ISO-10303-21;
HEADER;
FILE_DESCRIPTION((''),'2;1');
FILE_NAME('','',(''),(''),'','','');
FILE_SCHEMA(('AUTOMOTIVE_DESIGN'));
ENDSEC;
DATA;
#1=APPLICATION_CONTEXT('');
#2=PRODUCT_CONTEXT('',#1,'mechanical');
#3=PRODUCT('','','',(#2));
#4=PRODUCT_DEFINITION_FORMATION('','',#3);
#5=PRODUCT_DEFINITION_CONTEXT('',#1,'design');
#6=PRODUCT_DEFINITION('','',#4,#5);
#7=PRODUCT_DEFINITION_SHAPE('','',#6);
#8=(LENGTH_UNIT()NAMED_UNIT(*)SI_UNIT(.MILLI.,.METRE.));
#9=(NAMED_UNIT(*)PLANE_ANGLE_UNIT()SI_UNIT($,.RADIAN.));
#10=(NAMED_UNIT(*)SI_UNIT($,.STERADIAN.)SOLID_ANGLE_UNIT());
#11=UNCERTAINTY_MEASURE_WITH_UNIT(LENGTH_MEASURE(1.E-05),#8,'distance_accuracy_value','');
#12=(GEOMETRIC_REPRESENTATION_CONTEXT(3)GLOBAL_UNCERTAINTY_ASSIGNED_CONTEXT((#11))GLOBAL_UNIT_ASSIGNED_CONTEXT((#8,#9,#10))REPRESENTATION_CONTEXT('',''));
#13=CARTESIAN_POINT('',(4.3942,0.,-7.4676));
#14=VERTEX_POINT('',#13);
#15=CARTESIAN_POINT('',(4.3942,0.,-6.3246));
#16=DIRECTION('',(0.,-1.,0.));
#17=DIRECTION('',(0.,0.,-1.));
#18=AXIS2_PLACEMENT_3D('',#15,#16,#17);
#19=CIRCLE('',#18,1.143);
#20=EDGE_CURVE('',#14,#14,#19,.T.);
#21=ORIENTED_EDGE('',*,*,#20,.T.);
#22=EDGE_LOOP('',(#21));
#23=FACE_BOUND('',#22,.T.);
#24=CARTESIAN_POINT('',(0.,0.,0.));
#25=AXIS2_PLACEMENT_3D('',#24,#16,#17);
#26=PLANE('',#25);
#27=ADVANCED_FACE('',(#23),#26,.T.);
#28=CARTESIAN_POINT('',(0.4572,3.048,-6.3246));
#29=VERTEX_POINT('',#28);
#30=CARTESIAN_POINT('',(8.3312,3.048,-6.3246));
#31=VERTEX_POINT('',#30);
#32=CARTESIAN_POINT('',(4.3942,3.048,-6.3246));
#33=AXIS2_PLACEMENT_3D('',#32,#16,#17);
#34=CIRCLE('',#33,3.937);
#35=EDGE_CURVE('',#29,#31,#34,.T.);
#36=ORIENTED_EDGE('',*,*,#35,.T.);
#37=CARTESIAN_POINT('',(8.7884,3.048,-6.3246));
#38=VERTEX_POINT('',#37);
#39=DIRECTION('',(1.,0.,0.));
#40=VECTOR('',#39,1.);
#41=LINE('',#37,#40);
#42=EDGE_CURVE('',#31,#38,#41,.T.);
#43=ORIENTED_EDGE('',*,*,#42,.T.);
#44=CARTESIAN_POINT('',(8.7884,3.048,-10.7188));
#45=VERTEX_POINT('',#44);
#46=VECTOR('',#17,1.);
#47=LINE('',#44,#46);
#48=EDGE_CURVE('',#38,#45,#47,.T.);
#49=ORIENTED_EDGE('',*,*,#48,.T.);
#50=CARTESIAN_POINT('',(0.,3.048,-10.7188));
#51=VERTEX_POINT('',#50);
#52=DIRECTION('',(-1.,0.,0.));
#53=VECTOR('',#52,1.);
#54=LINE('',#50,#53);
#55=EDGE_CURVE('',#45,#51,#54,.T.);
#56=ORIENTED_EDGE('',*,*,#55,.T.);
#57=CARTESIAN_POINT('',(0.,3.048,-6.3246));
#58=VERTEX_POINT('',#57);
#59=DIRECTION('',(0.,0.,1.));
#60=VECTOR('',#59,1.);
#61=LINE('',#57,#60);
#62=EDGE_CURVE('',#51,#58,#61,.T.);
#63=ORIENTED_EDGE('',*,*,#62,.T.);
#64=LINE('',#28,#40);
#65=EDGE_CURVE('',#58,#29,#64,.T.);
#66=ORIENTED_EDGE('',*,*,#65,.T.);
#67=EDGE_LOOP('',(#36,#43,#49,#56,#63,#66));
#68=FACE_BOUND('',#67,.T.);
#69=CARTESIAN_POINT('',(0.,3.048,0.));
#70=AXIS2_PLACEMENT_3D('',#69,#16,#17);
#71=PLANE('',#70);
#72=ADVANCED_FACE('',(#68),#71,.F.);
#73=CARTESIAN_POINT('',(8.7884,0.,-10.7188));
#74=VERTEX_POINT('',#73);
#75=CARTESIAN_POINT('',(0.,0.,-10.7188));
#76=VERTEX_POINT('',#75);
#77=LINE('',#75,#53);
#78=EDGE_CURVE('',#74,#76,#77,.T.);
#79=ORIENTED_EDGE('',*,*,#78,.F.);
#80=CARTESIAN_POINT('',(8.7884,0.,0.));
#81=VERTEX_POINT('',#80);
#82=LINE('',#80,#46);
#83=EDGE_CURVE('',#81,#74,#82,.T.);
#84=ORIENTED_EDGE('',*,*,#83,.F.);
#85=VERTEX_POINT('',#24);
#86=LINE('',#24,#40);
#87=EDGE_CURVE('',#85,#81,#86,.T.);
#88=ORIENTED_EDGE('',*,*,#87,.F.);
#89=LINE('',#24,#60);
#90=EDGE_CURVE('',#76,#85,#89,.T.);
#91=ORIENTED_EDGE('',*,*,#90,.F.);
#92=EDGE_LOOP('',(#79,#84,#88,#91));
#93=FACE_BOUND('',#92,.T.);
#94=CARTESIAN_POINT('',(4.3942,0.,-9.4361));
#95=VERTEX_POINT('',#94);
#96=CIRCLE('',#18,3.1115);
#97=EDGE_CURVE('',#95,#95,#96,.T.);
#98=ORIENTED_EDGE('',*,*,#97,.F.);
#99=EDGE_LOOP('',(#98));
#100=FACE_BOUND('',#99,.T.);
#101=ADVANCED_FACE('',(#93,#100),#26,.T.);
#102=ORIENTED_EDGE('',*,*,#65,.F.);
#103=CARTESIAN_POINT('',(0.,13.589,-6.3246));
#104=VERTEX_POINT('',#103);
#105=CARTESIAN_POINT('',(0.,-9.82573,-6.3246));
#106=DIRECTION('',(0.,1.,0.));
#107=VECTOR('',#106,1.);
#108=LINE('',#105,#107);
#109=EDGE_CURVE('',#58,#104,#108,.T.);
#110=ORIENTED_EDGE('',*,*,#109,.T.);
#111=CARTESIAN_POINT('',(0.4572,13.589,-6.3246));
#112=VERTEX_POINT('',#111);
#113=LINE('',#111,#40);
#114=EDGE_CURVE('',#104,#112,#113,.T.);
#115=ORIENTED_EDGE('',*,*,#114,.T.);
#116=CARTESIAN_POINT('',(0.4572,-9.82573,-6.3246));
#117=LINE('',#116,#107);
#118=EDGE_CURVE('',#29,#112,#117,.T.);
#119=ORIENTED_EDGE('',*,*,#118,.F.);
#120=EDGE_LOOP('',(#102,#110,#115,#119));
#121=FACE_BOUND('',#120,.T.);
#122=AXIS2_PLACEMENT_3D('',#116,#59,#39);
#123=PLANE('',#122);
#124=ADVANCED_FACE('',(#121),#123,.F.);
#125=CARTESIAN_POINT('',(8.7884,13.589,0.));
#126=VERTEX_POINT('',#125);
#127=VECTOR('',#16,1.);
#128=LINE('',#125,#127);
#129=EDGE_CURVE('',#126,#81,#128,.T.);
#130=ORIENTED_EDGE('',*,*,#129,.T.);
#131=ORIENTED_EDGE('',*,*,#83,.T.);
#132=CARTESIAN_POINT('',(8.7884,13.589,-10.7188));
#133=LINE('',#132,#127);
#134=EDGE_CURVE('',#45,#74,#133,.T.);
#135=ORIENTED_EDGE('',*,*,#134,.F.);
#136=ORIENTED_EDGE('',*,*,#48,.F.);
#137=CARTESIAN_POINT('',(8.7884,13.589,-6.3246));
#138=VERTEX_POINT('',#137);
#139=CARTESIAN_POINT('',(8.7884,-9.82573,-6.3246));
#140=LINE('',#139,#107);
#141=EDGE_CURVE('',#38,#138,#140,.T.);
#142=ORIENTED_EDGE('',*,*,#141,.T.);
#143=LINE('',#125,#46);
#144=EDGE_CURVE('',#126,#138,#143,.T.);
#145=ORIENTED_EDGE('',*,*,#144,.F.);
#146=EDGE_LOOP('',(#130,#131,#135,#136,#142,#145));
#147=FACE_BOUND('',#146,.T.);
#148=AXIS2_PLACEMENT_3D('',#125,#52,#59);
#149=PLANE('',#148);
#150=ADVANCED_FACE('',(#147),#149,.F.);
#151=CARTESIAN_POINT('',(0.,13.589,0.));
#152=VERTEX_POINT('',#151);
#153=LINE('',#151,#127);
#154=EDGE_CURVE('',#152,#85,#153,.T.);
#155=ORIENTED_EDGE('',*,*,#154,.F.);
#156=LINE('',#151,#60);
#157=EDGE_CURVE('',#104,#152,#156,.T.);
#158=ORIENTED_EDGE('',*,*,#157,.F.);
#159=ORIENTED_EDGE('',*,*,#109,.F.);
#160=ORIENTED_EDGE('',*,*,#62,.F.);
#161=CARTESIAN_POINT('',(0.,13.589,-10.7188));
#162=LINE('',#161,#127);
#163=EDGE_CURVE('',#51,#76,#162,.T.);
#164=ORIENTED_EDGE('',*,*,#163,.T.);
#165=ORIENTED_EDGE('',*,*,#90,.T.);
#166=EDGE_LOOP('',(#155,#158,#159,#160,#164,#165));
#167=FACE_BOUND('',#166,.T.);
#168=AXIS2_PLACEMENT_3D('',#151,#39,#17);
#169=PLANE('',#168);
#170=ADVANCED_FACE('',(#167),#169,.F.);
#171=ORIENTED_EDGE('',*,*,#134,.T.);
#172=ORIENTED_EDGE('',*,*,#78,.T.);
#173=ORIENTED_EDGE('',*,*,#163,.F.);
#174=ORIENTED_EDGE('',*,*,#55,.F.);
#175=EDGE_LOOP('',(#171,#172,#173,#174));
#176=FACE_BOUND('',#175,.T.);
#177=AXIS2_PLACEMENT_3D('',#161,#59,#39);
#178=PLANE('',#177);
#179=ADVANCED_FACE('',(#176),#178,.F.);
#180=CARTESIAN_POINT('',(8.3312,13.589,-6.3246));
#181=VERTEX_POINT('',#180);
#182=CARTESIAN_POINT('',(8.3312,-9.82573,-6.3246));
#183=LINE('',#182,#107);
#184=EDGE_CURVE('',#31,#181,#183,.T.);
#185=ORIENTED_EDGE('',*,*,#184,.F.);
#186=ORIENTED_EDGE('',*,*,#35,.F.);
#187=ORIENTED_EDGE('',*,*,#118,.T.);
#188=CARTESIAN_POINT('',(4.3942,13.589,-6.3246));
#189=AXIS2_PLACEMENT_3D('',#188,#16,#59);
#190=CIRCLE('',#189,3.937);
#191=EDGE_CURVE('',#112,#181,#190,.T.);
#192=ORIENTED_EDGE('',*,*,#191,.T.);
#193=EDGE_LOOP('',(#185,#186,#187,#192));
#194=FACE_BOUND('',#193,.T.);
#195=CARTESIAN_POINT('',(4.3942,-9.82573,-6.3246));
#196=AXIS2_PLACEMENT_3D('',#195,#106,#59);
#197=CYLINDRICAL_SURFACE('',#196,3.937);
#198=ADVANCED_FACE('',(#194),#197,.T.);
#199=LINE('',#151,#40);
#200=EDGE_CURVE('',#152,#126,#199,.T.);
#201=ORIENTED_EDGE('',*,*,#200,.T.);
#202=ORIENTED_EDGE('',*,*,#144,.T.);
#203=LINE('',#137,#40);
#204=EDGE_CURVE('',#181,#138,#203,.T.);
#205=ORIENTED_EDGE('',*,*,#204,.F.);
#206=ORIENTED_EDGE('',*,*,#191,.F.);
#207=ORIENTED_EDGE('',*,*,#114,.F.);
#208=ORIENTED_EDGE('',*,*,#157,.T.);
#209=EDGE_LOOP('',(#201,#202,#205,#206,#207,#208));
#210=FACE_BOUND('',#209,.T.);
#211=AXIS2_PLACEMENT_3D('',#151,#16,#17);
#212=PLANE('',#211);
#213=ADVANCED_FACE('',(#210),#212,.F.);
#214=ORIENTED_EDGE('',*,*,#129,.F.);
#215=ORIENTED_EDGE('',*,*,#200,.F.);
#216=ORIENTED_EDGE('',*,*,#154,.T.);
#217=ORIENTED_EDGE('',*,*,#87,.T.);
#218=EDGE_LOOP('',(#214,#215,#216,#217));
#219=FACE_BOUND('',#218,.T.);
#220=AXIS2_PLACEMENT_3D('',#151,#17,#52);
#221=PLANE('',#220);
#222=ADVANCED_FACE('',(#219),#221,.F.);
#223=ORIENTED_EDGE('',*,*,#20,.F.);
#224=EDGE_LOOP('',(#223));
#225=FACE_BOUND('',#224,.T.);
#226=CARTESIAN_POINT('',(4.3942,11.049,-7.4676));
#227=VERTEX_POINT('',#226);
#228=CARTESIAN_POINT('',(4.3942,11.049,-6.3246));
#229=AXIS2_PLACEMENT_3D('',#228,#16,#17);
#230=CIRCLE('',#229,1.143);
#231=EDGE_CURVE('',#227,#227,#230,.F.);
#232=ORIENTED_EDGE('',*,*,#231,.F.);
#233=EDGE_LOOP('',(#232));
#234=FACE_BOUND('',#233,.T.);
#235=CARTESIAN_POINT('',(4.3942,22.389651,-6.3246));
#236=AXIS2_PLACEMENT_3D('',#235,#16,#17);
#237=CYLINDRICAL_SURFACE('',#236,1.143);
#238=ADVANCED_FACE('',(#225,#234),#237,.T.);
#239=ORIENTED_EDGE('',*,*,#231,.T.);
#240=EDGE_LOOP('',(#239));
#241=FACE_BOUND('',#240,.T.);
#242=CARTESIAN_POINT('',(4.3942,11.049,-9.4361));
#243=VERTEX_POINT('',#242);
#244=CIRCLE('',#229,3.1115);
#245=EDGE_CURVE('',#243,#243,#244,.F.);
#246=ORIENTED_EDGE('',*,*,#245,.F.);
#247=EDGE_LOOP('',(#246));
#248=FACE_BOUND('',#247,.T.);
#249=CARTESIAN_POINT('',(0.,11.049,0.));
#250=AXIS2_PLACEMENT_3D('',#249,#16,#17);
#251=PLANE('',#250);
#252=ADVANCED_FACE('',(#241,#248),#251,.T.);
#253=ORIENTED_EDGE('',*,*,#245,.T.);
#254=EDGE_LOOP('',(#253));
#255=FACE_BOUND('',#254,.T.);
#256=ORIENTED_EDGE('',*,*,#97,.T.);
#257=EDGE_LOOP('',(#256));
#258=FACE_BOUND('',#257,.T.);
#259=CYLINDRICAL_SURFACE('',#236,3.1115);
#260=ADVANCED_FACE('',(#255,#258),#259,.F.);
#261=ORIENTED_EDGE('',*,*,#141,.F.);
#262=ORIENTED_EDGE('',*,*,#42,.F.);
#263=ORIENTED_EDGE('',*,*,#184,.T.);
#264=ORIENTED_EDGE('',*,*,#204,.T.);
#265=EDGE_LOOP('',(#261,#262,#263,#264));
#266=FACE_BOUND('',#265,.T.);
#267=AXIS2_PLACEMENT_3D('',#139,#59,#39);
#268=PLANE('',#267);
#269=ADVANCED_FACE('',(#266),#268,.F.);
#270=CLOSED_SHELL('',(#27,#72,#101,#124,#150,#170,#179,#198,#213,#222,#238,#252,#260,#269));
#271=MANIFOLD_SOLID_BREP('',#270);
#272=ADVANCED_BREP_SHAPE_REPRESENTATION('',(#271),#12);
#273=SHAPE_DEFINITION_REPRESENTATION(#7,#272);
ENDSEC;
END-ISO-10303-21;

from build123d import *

# Parameters (mm, degrees)
SKETCH1_W           = 8.7884
SKETCH1_H           = 10.7188
BOSS_EXTRUDE1_DEPTH = 13.589
CUT_EXTRUDE1_DEPTH  = 10.541
SKETCH3_R           = 3.1115
SKETCH3_R_2         = 1.143
CUT_EXTRUDE2_DEPTH  = 11.049


with BuildPart() as part:
    # Sketch1 → Boss-Extrude1 (new body)
    with BuildSketch(Plane(origin=(0, 0, 0), x_dir=(1, 0, 0), z_dir=(0, 1, 0))):
        with Locations((4.3942, 5.3594)):
            Rectangle(SKETCH1_W, SKETCH1_H)
    extrude(amount=BOSS_EXTRUDE1_DEPTH)

    # Sketch2 → Cut-Extrude1 (cut)
    with BuildSketch(Plane(origin=(0, 13.589, 0), x_dir=(1, 0, 0), z_dir=(0, 1, 0))):
        with BuildLine():
            Line((0.4572, 6.3246), (0, 6.3246))
            Line((0, 6.3246), (0, 10.7188))
            Line((0, 10.7188), (8.7884, 10.7188))
            Line((8.7884, 10.7188), (8.7884, 6.3246))
            Line((8.7884, 6.3246), (8.3312, 6.3246))
            ThreePointArc((8.3312, 6.3246), (4.3942, 10.2616), (0.4572, 6.3246))
        make_face()
    extrude(amount=-CUT_EXTRUDE1_DEPTH, mode=Mode.SUBTRACT)

    # Sketch3 → Cut-Extrude2 (cut)
    with BuildSketch(Plane.XZ):
        with Locations(Location((4.3942, -6.3246, 0), (0, 0, 270))):
            Circle(SKETCH3_R)
        with Locations(Location((4.3942, -6.3246, 0), (0, 0, 270))):
            Circle(SKETCH3_R_2, mode=Mode.SUBTRACT)
    extrude(amount=-CUT_EXTRUDE2_DEPTH, mode=Mode.SUBTRACT)


solid = part.part
